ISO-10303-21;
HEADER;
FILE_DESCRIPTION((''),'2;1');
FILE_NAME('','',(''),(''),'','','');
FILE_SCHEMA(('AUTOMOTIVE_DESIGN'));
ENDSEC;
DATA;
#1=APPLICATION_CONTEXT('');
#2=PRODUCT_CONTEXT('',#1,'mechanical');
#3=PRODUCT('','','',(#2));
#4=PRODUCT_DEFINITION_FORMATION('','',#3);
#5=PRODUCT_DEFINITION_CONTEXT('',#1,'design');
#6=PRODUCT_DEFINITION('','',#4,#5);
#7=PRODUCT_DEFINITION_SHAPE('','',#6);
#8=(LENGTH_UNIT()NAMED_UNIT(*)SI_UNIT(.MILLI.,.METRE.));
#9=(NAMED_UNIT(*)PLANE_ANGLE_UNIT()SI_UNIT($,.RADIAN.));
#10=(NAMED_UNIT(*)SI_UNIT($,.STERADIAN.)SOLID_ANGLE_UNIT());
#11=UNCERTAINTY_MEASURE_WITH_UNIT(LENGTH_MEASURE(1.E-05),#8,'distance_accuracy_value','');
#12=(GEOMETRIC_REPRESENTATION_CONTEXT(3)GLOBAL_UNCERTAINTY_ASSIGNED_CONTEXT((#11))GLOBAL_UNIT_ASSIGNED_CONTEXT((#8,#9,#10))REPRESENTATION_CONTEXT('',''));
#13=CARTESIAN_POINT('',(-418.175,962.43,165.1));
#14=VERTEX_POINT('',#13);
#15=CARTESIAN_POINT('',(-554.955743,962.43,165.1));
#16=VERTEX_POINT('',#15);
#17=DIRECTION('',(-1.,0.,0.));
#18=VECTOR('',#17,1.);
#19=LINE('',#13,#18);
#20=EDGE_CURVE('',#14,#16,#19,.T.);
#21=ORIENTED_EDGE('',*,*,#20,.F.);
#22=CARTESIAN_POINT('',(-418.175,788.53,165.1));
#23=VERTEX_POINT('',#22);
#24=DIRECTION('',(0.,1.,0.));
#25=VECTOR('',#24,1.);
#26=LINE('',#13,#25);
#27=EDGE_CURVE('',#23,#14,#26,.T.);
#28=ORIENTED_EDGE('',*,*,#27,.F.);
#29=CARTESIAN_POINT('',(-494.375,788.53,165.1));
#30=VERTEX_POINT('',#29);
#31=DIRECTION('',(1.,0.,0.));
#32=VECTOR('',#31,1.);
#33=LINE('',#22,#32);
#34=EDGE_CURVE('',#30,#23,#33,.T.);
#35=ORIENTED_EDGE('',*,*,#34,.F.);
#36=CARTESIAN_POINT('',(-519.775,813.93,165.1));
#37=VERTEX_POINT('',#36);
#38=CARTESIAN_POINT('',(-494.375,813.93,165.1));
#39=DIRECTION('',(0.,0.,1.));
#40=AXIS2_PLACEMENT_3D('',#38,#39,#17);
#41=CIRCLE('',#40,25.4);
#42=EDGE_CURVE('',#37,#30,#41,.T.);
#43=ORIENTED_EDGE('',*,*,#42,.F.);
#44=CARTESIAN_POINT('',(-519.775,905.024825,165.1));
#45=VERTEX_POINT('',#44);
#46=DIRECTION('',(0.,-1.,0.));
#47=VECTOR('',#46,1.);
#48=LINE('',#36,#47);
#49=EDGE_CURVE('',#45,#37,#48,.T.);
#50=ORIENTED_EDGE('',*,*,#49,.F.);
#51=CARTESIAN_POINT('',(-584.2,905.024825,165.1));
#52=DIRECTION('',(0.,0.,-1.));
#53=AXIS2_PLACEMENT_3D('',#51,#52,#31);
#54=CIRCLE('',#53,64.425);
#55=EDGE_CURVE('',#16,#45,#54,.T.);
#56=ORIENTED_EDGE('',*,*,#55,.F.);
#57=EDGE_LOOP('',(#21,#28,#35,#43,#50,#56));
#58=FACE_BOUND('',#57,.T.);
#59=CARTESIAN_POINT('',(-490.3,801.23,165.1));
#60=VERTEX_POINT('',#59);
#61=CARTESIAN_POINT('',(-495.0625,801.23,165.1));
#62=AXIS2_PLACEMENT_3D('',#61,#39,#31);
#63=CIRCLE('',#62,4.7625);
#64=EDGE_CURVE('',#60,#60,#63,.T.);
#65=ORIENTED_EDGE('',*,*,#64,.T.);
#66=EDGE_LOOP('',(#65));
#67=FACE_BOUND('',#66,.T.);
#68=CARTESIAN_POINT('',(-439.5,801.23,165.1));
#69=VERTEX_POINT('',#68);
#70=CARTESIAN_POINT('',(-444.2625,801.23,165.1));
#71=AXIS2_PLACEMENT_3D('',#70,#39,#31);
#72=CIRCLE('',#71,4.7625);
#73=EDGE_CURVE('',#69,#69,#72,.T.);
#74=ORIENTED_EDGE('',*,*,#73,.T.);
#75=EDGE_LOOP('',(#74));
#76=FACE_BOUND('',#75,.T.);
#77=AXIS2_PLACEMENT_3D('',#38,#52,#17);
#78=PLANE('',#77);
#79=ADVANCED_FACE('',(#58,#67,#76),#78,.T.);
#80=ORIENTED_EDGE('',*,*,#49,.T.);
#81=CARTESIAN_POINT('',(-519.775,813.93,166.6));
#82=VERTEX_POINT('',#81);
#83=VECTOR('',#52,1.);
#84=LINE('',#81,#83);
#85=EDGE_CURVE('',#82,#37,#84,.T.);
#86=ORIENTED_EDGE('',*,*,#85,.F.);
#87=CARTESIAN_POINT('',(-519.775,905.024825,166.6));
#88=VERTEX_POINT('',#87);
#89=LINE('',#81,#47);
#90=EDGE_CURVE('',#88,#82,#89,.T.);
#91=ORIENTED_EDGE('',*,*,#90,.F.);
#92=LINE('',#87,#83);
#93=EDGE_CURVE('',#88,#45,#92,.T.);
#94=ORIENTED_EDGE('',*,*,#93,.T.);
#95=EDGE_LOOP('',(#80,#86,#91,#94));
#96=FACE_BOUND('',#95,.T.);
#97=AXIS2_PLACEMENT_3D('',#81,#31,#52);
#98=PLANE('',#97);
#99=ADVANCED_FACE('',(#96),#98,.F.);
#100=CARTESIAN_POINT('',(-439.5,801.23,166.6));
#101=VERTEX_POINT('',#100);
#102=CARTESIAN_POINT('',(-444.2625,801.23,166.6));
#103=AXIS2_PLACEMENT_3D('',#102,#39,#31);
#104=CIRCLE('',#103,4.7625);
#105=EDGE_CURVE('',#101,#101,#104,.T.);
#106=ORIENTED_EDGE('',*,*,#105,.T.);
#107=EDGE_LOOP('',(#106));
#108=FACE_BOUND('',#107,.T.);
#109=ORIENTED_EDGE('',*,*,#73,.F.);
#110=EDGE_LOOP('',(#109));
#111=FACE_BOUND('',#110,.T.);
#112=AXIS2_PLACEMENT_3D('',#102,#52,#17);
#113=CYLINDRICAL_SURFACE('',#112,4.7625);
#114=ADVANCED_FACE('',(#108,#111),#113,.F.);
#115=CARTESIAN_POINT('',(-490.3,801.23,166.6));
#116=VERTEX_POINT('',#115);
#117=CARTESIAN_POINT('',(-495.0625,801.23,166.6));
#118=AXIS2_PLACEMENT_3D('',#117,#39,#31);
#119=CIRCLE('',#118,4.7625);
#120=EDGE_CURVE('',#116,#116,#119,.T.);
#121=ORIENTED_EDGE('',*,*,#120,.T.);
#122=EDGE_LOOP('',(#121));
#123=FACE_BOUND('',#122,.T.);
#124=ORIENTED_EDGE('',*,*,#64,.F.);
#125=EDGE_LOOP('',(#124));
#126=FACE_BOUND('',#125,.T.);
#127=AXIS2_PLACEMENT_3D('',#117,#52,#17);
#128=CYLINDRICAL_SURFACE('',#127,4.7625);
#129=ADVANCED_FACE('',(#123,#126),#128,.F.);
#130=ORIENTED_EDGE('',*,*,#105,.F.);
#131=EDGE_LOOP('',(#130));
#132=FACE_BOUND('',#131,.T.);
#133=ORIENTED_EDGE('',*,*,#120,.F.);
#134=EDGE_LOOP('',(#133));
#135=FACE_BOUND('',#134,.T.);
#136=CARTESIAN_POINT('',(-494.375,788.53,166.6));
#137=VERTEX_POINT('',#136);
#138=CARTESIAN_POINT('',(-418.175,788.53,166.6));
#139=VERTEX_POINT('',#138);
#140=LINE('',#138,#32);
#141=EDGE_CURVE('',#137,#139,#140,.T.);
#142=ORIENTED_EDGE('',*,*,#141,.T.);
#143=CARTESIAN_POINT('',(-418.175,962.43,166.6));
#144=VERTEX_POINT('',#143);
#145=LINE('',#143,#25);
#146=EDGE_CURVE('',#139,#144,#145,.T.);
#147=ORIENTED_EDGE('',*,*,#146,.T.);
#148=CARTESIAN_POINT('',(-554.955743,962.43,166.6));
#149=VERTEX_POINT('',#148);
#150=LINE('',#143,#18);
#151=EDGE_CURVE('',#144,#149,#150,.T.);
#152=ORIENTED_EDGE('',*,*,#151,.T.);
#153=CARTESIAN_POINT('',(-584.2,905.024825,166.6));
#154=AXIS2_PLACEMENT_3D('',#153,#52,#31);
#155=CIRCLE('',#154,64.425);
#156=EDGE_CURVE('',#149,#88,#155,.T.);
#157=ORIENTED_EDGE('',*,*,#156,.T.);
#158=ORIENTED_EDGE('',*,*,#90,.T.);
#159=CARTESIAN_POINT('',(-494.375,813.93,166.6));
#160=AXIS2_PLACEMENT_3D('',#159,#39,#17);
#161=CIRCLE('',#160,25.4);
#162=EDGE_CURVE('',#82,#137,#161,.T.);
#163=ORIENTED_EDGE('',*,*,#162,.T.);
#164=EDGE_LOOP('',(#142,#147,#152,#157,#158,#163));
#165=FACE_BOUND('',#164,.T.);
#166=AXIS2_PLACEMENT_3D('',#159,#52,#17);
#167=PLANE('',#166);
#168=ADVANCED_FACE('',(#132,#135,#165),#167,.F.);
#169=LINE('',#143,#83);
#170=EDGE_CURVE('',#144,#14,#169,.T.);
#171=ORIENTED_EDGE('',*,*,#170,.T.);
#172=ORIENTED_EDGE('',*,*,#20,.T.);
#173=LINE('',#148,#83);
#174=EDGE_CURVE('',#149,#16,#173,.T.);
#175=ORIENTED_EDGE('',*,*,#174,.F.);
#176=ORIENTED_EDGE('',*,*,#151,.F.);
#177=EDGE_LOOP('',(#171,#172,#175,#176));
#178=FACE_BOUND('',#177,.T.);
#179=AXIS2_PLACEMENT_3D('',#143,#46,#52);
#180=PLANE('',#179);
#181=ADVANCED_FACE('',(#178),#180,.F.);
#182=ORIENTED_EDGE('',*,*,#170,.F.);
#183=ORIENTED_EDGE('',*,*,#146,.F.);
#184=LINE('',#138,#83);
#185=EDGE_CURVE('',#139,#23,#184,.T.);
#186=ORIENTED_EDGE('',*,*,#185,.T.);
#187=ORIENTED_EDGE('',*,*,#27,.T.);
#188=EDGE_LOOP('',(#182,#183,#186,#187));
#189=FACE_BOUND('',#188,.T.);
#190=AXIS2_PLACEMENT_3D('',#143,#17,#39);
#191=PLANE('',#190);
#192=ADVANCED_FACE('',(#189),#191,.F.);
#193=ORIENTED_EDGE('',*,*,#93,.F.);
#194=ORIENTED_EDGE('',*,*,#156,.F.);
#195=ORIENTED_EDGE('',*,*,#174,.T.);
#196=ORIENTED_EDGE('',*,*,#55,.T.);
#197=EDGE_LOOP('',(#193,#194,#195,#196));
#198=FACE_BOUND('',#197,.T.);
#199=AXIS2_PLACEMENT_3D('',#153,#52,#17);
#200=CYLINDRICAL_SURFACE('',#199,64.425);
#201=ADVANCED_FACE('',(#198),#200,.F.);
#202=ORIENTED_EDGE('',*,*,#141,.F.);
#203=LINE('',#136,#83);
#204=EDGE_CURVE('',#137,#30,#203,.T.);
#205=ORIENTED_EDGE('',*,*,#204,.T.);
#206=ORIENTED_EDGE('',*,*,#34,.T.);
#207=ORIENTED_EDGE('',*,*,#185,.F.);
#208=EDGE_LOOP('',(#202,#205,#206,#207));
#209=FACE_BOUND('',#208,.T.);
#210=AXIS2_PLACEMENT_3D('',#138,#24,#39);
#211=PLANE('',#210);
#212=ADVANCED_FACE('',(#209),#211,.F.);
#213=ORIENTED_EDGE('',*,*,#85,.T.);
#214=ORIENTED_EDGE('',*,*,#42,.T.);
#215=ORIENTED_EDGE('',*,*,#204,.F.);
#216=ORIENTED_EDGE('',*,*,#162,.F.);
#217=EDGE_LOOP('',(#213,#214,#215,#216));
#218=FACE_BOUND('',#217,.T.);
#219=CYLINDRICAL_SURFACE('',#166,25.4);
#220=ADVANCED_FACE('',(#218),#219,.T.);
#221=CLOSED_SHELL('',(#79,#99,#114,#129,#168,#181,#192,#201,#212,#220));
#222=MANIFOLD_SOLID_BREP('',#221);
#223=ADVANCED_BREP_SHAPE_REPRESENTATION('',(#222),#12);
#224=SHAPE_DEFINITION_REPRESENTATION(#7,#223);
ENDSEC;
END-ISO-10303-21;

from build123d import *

# Parameters (mm, degrees)
SKETCH1_R      = 4.7625
EXTRUDE1_DEPTH = 1.5


with BuildPart() as part:
    # Sketch1 → Extrude1 (new body)
    with BuildSketch(Plane.XY.offset(165.1)):
        with BuildLine():
            Line((-418.175, 962.43), (-554.955743448, 962.43))
            ThreePointArc((-554.955743448, 962.43), (-529.269854117, 938.688748088), (-519.775, 905.024825288))
            Line((-519.775, 905.024825288), (-519.775, 813.93))
            ThreePointArc((-519.775, 813.93), (-512.335512242, 795.969487758), (-494.375, 788.53))
            Line((-494.375, 788.53), (-418.175, 788.53))
            Line((-418.175, 788.53), (-418.175, 962.43))
        make_face()
        with Locations((-444.2625, 801.23)):
            Circle(SKETCH1_R, mode=Mode.SUBTRACT)
        with Locations((-495.0625, 801.23)):
            Circle(SKETCH1_R, mode=Mode.SUBTRACT)
    extrude(amount=EXTRUDE1_DEPTH)


solid = part.part
